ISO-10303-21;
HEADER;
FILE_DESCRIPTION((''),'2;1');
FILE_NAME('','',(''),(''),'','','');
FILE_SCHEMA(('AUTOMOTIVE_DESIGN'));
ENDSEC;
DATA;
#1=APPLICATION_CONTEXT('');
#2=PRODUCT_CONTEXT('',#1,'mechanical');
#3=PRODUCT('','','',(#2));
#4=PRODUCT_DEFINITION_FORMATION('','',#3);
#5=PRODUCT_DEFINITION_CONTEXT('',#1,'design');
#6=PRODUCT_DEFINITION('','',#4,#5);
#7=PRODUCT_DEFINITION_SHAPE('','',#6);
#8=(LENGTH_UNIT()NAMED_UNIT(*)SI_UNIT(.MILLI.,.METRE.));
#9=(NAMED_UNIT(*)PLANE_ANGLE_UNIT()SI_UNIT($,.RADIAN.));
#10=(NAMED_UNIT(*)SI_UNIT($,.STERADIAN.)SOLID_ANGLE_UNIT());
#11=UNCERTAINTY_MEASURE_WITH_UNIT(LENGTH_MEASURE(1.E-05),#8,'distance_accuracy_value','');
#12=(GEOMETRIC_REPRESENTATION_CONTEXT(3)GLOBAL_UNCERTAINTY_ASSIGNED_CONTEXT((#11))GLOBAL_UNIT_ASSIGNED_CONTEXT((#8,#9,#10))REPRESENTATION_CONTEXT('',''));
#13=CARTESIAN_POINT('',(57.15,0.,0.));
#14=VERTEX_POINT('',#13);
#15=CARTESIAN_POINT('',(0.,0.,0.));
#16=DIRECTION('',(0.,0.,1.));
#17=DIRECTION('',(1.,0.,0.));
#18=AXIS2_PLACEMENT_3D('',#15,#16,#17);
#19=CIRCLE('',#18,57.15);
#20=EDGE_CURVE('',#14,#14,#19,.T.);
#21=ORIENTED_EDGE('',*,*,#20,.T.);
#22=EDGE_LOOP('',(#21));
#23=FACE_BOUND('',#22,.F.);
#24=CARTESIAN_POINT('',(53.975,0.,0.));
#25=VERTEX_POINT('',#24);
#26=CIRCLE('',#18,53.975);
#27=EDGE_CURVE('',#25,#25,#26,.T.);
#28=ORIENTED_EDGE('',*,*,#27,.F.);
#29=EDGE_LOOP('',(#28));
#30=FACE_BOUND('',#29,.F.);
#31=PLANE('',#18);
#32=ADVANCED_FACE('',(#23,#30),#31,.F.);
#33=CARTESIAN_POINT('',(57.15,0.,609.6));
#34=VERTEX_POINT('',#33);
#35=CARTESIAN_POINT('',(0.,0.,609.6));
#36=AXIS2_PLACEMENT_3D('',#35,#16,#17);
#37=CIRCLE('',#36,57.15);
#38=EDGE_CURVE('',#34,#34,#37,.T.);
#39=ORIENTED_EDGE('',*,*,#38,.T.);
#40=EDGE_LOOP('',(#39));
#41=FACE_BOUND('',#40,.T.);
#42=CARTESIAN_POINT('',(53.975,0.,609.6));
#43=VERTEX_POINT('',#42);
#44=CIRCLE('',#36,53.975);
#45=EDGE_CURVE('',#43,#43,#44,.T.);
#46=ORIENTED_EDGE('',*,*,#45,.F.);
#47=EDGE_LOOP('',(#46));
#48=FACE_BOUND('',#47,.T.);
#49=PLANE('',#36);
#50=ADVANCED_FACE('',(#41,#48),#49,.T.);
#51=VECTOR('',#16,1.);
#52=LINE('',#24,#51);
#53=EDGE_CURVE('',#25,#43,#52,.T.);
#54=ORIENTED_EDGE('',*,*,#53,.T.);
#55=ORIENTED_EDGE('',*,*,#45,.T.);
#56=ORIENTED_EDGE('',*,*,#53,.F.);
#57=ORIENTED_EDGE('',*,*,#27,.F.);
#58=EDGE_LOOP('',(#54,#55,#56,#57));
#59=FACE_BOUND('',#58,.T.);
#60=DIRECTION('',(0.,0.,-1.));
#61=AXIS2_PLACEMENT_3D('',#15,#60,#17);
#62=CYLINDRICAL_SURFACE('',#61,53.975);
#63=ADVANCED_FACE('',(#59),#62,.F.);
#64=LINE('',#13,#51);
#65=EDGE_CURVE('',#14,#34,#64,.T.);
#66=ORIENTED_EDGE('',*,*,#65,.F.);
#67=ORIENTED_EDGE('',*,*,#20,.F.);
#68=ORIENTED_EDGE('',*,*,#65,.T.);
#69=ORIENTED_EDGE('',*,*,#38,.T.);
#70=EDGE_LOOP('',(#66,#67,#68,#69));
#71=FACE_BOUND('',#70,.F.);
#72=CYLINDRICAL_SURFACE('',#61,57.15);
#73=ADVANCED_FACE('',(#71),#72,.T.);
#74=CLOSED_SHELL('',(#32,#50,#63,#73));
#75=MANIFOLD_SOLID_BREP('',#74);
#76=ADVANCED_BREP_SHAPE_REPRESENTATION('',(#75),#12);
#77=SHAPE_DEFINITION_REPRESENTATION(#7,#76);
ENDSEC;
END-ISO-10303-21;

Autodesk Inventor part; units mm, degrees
ref_plane "YZ Plane" through (0, 0, 0) normal (1, 0, 0) x (0, 1, 0)
ref_plane "XZ Plane" through (0, 0, 0) normal (0, 1, 0) x (-1, 0, 0)
ref_plane "XY Plane" through (0, 0, 0) normal (0, 0, 1) x (1, 0, 0)
sketch "Sketch1" plane through (0, 0, 0) normal (0, 0, 1) x (1, 0, 0)
  circle A0 centre (0, 0) radius 57.15
  circle A1 centre (0, 0) radius 53.975
  dimension "d0" = 114.3
  dimension "d3" = 107.95
extrude "Extrusion2" add sketch "Sketch1" along normal blind 609.6
properties part number "Inner Pole" material "PVC-Piping"
